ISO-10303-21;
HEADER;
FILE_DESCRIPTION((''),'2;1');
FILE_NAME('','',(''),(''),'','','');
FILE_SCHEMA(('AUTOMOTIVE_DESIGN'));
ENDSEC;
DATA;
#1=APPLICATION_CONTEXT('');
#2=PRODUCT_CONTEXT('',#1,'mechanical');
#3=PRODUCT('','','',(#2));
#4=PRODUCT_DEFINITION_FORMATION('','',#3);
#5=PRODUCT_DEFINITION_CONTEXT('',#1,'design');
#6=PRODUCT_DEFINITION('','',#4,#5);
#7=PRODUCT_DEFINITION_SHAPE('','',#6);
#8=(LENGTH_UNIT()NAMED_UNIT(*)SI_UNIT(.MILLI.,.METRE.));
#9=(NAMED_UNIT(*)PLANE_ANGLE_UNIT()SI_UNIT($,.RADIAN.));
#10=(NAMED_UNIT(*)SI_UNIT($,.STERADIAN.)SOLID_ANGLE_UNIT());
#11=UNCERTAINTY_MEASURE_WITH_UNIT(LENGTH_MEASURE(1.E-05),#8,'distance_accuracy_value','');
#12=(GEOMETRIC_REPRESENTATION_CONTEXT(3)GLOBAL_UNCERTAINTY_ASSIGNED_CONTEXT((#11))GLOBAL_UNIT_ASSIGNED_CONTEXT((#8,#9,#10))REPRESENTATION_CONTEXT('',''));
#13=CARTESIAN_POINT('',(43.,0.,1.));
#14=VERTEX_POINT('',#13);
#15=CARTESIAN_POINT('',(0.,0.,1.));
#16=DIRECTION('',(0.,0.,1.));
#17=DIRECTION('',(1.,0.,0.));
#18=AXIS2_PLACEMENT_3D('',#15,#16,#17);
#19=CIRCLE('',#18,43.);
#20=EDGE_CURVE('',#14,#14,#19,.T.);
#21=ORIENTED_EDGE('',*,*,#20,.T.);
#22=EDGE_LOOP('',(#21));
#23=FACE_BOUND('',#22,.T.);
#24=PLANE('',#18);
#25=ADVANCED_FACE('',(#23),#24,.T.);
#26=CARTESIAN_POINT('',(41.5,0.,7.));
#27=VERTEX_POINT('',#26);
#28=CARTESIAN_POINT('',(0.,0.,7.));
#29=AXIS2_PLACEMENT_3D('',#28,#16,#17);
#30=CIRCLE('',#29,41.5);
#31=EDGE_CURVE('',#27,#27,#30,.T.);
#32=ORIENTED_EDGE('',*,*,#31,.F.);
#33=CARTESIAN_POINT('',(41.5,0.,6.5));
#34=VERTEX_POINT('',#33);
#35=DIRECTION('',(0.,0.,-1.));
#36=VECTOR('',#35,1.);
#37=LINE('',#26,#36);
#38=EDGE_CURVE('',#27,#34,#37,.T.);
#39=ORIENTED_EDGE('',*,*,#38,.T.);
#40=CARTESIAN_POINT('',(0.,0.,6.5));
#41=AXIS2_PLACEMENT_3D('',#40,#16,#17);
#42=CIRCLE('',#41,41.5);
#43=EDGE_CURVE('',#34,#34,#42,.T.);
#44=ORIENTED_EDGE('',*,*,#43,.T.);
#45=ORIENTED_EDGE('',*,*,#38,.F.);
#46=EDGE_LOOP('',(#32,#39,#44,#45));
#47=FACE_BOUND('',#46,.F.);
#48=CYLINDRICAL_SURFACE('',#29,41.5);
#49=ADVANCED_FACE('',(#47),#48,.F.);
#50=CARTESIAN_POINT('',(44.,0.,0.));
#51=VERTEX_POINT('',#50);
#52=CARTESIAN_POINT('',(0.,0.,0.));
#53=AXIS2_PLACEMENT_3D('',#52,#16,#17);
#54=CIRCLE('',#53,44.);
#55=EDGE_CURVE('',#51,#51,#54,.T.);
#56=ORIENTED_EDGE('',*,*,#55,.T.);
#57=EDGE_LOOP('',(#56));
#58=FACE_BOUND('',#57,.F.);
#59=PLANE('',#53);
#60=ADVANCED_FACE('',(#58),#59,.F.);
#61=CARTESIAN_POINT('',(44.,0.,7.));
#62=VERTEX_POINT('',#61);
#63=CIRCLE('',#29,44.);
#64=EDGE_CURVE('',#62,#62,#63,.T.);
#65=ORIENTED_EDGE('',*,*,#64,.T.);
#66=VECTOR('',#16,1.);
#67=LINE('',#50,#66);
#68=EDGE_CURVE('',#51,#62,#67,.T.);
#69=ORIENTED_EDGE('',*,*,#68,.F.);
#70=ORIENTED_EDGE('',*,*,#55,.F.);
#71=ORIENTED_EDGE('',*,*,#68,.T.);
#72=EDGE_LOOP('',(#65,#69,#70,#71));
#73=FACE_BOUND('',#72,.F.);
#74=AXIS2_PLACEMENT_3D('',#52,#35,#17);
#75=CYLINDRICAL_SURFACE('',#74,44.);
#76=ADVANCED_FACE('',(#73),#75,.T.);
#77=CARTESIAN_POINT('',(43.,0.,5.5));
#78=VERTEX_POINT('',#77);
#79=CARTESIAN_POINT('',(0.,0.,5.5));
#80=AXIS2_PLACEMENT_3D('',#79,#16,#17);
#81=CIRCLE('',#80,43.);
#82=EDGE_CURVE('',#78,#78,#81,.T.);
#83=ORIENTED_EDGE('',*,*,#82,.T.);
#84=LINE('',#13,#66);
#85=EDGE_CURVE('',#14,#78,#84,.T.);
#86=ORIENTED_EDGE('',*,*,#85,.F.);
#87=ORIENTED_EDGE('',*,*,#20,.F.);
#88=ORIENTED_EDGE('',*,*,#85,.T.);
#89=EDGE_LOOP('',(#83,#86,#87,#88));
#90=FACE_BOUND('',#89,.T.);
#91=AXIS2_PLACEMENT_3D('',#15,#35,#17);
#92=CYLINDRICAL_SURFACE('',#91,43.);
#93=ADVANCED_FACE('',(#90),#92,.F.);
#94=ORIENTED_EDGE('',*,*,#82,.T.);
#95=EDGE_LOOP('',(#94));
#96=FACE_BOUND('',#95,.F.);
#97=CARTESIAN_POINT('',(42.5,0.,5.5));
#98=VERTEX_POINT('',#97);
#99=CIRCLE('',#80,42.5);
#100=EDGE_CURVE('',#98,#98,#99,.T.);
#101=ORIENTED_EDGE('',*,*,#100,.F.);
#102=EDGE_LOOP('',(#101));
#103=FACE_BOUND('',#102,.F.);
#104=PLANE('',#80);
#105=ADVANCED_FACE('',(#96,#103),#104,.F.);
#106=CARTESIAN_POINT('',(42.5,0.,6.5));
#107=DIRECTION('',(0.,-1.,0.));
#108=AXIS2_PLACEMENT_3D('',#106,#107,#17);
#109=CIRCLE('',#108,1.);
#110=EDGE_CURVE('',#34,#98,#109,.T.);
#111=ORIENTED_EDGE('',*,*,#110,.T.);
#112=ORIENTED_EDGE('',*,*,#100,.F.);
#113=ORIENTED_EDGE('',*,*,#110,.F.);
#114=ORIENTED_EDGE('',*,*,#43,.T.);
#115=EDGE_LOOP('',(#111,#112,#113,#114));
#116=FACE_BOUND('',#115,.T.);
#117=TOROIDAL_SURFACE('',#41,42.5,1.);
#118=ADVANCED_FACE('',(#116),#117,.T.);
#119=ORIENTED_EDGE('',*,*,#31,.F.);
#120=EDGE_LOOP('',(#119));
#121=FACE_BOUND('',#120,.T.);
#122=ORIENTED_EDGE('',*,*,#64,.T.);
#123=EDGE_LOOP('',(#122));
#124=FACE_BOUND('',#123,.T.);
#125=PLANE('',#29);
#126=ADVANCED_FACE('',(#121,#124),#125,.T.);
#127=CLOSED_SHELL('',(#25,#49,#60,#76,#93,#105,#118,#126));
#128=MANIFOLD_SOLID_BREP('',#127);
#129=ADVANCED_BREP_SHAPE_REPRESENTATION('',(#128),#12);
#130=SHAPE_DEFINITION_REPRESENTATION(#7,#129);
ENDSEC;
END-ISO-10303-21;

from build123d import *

# Parameters (mm, degrees)
SKETCH006_R     = 44
PAD002_DEPTH    = 7
SKETCH007_R     = 41.5
POCKET004_DEPTH = 6
SKETCH008_R     = 43
POCKET005_DEPTH = 4.5
FILLET002_R     = 1


with BuildPart() as part:
    # Sketch006 → Pad002 (new body)
    with BuildSketch(Plane.XY):
        Circle(SKETCH006_R)
    extrude(amount=PAD002_DEPTH)

    # Sketch007 (on Face3 of Pad002) → Pocket004 (cut)
    with BuildSketch(Plane.XY.offset(7)):
        Circle(SKETCH007_R)
    extrude(amount=-POCKET004_DEPTH, mode=Mode.SUBTRACT)

    # Sketch008 → Pocket005 (cut)
    with BuildSketch(Plane.XY.offset(1)):
        Circle(SKETCH008_R)
    extrude(amount=POCKET005_DEPTH, mode=Mode.SUBTRACT)

    # Fillet002
    fillet002_edges = [part.edges().sort_by_distance(p)[0] for p in [
        (-41.5, 0, 5.5),
    ]]
    fillet(fillet002_edges, radius=FILLET002_R)


solid = part.part
